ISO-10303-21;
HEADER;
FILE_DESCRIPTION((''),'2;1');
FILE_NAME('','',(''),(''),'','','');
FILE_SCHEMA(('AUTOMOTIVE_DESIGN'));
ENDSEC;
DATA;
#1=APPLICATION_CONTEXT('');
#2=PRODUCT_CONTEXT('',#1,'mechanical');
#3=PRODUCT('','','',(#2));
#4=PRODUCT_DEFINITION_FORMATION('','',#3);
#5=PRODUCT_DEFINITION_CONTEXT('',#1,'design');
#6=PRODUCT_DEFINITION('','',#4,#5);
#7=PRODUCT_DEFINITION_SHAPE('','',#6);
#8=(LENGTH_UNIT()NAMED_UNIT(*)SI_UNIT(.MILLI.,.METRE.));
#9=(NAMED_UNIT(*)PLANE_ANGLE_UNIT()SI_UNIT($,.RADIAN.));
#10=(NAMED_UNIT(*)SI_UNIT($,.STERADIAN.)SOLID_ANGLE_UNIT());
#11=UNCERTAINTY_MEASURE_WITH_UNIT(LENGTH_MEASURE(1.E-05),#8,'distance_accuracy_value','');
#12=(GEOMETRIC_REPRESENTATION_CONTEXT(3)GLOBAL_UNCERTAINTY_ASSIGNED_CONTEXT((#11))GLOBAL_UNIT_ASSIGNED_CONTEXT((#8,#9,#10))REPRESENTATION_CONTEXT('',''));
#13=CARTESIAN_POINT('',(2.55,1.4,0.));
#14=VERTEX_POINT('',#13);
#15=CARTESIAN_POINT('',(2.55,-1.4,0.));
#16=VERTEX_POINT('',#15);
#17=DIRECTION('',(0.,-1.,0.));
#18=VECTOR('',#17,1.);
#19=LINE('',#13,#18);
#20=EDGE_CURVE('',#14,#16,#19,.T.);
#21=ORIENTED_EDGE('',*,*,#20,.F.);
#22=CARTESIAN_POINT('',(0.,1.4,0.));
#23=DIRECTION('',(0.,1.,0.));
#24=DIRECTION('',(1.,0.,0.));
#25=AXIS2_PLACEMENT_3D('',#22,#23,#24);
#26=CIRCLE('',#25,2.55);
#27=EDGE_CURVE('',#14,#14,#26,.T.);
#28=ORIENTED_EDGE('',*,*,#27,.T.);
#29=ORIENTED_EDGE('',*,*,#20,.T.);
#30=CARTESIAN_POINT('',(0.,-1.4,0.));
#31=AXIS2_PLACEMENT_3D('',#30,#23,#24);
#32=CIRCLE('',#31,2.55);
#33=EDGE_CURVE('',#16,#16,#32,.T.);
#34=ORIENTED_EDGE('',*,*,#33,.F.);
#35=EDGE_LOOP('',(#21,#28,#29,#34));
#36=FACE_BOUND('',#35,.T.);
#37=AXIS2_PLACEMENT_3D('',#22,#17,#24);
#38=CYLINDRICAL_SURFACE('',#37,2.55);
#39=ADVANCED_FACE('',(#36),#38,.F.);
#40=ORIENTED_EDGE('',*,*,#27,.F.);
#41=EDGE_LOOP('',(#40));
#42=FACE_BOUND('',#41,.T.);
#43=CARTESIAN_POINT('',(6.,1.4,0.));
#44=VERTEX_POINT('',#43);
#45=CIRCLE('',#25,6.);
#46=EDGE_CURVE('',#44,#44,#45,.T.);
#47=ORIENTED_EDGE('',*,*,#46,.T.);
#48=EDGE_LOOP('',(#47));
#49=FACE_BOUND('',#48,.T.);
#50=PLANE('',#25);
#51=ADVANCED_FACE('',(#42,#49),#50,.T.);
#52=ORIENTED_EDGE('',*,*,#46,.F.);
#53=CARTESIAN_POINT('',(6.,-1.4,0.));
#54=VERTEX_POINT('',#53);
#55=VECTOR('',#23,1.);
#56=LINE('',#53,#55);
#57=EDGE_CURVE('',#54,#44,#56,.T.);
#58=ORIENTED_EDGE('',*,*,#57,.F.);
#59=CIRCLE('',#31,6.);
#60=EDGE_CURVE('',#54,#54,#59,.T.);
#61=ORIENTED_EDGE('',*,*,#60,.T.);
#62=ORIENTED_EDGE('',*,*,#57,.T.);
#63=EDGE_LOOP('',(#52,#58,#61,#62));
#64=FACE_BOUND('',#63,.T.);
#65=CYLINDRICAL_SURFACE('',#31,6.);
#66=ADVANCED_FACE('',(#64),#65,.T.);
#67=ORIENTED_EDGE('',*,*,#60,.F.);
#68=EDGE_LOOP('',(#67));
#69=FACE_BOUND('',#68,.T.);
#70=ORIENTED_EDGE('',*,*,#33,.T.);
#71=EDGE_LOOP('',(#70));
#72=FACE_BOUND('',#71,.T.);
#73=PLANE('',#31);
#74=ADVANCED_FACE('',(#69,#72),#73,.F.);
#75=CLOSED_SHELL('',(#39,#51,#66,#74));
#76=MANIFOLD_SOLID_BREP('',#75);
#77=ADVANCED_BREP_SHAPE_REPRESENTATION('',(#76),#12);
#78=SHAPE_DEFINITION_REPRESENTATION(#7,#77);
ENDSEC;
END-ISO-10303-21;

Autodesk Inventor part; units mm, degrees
ref_plane "YZ Plane" through (0, 0, 0) normal (1, 0, 0) x (0, 1, 0)
ref_plane "XZ Plane" through (0, 0, 0) normal (0, 1, 0) x (-1, 0, 0)
ref_plane "XY Plane" through (0, 0, 0) normal (0, 0, 1) x (1, 0, 0)
sketch "スケッチ1" plane through (0, 0, 0) normal (0, 0, 1) x (1, 0, 0)
  line L0 (2.55, 1.4) -> (2.55, -1.4)
  line L1 (2.55, -1.4) -> (6, -1.4)
  line L2 (6, -1.4) -> (6, 1.4)
  line L3 (6, 1.4) -> (2.55, 1.4)
  line L4 (0, -1.96) -> (0, 1.96) projected
  point P0 (0, 0)
  point P1 (2.55, 0)
  dimension "d1" = 2.55
  dimension "d2" = 6
  dimension "d3" = 2.8
revolve "回転1" add sketch "スケッチ1" angle 360 about axis through (0, -10, 0) along (0, 1, 0)
properties part number "膝_同軸_スペーサ_1_2" material "アセタール樹脂、黒"
